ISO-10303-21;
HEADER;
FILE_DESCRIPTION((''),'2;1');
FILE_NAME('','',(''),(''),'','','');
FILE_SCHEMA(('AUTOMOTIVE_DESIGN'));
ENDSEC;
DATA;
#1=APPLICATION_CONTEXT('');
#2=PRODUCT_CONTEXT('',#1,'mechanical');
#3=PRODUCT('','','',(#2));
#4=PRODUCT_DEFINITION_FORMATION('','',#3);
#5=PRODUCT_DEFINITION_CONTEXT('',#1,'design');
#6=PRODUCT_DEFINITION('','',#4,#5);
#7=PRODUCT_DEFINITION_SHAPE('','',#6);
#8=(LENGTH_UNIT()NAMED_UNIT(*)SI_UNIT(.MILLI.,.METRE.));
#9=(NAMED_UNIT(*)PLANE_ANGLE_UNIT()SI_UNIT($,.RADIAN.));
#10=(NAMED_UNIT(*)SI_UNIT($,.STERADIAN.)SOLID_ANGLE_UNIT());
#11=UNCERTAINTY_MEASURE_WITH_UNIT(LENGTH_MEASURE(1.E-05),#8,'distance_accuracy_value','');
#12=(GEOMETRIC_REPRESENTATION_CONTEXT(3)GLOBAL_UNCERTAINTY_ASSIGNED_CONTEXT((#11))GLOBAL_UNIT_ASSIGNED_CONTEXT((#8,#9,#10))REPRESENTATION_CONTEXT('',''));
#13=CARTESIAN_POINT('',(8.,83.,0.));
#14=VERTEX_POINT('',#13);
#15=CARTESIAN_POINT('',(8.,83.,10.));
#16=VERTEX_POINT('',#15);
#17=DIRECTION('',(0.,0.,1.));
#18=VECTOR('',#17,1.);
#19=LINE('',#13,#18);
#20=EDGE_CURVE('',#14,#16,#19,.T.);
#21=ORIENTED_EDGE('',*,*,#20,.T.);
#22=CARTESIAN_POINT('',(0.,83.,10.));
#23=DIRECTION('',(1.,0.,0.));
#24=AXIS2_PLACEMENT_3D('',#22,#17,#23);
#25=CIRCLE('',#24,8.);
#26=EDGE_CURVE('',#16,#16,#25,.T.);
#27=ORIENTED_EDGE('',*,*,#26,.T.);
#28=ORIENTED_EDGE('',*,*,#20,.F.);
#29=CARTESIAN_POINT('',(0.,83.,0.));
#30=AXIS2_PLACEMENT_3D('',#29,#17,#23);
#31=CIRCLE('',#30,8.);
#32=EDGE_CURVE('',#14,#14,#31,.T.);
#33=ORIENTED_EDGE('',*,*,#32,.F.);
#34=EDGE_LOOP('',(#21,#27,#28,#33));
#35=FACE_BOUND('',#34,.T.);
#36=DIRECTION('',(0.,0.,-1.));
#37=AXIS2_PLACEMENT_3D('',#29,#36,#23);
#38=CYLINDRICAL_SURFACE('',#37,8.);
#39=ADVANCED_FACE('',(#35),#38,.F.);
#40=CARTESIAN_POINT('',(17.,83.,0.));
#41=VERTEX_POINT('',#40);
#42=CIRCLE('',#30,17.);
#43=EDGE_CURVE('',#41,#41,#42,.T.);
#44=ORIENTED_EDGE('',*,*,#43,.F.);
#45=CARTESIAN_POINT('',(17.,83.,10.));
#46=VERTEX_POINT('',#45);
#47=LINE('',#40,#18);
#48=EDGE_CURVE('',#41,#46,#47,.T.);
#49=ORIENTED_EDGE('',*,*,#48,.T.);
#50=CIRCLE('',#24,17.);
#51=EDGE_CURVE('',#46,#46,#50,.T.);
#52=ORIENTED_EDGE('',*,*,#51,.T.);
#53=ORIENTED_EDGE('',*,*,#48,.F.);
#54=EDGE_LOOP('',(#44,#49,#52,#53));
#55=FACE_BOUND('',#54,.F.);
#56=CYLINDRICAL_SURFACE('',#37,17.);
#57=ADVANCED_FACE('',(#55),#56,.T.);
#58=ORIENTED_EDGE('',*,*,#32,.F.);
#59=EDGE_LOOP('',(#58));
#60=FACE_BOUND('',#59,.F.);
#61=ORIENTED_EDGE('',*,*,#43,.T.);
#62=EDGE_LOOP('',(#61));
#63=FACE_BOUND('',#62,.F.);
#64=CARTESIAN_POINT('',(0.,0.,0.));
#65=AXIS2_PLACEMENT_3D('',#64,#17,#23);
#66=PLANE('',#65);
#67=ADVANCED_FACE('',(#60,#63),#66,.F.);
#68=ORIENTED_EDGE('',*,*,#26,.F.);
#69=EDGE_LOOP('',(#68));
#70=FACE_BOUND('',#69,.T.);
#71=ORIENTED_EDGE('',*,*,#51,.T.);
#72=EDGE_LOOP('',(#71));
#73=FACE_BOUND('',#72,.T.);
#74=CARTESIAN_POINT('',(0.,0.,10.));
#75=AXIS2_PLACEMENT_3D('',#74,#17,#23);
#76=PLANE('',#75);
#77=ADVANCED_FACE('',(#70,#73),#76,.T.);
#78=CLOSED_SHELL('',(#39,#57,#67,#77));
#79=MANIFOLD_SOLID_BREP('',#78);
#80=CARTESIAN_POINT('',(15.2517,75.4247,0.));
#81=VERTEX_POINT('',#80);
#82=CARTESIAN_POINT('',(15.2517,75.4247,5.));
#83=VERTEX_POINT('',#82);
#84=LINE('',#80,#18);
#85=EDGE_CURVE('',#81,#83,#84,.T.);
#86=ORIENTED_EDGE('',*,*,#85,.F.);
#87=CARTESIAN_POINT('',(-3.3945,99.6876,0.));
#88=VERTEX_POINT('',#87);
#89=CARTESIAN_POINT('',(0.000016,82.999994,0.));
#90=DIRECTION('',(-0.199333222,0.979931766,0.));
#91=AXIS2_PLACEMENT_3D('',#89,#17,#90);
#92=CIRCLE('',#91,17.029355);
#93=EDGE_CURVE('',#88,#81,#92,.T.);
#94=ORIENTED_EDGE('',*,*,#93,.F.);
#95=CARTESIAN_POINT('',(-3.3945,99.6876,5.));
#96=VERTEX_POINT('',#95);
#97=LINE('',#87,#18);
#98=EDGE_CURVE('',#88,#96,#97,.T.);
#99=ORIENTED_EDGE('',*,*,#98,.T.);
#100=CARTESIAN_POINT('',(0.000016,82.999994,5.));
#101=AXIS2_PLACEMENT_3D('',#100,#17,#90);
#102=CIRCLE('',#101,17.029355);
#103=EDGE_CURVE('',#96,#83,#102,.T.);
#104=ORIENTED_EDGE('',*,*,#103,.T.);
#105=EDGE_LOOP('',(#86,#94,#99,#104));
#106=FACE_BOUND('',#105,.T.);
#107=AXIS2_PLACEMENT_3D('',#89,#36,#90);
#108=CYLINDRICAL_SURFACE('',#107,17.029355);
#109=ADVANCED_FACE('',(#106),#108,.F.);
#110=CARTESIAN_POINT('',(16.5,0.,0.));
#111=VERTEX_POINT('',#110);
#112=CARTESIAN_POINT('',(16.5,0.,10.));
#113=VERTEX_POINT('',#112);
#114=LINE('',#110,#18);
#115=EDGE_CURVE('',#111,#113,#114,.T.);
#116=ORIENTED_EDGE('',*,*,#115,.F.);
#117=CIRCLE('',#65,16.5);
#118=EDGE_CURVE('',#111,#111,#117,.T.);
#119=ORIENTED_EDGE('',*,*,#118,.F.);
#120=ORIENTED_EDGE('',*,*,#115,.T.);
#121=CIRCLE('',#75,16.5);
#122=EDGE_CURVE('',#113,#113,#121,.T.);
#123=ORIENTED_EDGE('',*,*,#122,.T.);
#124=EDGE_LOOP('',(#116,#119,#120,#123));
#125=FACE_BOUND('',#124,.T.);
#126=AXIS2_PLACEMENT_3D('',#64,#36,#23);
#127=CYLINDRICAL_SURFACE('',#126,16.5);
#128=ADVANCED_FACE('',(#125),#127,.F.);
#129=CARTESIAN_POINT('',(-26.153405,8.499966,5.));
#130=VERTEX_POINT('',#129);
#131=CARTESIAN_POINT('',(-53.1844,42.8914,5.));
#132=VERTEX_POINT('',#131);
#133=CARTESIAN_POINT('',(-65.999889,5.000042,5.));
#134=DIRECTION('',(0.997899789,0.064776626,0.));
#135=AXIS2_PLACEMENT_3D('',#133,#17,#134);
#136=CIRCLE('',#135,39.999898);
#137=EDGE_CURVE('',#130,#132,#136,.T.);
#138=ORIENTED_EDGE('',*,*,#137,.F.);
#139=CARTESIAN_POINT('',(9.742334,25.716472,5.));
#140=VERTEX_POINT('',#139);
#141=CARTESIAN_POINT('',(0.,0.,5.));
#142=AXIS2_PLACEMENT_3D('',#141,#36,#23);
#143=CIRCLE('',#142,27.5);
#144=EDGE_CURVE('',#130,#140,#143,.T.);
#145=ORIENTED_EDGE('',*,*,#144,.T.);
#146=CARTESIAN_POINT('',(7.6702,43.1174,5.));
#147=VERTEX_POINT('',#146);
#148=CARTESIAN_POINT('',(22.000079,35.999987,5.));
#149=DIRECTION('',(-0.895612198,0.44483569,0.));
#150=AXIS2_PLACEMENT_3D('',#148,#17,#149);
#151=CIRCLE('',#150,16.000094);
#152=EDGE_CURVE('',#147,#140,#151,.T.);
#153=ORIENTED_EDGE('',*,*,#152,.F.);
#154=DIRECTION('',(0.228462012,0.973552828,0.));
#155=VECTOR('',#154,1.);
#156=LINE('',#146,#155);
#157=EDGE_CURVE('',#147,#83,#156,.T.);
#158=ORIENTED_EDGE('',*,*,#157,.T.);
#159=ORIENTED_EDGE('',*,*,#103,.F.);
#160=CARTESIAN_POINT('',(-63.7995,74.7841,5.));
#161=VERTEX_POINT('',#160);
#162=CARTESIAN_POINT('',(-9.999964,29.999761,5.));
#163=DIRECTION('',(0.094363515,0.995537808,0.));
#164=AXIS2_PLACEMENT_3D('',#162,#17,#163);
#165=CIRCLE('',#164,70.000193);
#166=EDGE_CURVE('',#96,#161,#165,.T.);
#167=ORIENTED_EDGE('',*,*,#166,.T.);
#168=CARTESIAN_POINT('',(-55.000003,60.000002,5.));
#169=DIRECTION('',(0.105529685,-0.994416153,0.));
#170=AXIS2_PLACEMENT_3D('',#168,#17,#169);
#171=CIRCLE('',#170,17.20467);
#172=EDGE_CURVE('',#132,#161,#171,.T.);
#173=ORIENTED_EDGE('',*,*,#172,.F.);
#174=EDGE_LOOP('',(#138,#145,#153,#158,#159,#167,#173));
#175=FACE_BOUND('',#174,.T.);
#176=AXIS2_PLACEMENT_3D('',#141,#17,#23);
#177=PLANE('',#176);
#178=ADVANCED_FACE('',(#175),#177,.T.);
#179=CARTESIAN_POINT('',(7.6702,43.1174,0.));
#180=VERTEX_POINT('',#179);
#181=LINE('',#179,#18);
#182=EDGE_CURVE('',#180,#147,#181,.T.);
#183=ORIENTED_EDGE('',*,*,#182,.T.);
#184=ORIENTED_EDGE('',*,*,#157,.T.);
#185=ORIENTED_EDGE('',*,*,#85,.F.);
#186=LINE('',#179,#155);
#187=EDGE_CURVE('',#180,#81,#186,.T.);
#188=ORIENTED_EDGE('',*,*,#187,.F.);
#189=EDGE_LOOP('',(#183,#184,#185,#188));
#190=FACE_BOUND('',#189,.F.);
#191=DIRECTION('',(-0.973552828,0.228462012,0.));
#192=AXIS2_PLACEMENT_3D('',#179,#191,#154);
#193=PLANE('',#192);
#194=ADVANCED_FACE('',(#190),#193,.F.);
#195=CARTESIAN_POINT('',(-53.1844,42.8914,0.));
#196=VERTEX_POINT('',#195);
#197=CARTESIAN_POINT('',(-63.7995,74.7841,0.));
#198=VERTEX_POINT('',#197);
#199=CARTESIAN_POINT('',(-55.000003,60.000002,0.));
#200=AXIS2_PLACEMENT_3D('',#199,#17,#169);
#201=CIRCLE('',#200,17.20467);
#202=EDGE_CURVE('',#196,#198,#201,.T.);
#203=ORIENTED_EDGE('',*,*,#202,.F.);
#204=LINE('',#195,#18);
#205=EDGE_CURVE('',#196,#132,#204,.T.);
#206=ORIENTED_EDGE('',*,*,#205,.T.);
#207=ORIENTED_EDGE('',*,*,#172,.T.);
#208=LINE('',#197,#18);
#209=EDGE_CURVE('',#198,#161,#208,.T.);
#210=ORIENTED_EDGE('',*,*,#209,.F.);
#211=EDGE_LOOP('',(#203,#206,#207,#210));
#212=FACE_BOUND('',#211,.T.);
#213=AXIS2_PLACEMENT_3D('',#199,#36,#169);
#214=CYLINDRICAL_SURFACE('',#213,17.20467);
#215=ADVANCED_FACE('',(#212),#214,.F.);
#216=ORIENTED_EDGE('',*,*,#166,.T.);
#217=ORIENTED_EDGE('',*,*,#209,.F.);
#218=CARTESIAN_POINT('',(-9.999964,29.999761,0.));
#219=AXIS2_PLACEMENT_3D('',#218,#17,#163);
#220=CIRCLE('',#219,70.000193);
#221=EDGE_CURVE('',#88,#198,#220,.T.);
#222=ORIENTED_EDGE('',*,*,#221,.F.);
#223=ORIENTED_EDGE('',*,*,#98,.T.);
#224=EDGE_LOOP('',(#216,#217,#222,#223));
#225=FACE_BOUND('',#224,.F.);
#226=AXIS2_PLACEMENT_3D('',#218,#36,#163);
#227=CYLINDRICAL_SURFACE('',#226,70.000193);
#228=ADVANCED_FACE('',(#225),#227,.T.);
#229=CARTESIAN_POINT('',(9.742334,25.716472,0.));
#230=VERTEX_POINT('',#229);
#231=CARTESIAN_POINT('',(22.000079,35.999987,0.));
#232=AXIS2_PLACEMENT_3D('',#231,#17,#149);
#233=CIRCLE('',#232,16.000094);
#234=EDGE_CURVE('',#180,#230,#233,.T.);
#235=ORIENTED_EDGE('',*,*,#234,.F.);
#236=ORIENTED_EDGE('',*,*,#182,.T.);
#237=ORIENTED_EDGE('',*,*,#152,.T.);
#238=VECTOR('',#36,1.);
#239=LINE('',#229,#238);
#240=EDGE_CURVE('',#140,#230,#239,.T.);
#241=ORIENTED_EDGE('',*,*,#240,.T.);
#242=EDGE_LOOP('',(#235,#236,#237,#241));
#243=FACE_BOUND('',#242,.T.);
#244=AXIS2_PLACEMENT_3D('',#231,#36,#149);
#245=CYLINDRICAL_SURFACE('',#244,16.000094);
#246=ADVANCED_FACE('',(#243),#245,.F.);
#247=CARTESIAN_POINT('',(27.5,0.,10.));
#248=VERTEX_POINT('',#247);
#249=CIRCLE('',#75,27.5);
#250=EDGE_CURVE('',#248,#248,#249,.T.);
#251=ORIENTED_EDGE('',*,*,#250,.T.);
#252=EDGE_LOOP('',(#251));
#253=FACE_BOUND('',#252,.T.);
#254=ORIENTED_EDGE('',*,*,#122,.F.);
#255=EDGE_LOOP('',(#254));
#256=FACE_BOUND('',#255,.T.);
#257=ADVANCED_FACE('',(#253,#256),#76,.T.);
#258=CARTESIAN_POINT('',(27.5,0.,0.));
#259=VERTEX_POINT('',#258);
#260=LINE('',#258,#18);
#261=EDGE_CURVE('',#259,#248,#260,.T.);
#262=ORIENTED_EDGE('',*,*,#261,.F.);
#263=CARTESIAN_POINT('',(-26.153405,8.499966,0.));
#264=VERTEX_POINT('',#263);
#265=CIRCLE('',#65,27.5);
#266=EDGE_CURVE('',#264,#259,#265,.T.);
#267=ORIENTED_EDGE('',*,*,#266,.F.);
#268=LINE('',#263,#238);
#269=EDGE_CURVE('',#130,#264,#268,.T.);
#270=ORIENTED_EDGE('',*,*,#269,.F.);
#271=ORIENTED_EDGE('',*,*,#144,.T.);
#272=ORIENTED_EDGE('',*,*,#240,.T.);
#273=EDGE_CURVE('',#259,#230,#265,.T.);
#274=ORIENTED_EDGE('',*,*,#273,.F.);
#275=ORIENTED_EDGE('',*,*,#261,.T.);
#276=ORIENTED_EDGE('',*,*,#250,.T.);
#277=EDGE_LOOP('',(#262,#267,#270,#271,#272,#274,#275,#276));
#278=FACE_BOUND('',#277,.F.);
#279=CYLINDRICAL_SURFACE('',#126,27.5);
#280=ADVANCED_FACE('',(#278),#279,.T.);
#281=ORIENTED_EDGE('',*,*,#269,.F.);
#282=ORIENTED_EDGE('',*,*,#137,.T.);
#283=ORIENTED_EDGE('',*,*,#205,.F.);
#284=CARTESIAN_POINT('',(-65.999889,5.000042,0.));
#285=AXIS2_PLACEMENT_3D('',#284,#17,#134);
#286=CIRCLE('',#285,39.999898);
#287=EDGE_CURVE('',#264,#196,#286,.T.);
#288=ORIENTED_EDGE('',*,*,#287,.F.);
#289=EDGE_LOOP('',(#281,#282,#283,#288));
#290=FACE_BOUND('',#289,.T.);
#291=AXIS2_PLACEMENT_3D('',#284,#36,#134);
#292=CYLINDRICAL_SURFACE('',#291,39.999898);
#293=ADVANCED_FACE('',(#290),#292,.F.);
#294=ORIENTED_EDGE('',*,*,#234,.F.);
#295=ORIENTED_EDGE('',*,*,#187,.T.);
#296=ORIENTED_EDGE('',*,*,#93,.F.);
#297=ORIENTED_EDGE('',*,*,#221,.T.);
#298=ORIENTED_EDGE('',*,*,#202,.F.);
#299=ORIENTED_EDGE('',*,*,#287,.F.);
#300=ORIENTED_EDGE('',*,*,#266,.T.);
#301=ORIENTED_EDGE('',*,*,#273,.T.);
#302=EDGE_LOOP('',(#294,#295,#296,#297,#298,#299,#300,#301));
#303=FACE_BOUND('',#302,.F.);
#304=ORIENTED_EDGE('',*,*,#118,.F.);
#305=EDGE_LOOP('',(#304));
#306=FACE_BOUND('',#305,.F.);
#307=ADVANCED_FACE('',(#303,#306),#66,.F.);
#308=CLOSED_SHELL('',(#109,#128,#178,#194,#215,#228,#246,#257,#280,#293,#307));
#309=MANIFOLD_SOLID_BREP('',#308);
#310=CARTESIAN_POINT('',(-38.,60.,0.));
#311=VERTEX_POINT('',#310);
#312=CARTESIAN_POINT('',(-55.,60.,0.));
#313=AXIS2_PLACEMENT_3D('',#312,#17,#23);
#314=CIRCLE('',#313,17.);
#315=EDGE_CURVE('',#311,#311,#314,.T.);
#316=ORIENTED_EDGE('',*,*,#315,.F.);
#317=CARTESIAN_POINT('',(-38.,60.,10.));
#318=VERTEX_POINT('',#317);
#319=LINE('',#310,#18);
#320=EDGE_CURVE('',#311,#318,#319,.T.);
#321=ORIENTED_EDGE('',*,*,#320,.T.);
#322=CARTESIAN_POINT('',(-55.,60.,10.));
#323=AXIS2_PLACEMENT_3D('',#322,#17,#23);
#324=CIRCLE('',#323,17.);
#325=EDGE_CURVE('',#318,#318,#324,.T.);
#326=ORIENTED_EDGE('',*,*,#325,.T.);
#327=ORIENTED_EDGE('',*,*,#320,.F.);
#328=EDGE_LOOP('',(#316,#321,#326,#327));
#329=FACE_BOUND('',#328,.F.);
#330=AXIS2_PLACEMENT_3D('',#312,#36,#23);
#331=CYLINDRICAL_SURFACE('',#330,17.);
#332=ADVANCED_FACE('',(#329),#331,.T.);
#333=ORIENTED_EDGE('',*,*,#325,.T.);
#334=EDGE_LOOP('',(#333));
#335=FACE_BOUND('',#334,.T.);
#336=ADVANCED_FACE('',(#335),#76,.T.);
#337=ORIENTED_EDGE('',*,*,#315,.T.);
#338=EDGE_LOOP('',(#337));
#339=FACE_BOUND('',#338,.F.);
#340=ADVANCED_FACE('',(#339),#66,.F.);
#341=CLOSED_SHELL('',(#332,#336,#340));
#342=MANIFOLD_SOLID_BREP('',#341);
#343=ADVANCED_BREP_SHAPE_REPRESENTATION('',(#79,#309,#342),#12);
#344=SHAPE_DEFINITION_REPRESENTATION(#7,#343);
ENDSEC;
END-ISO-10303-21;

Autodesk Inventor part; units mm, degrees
ref_plane "YZ Plane" through (0, 0, 0) normal (1, 0, 0) x (0, 1, 0)
ref_plane "XZ Plane" through (0, 0, 0) normal (0, 1, 0) x (-1, 0, 0)
ref_plane "XY Plane" through (0, 0, 0) normal (0, 0, 1) x (1, 0, 0)
sketch "Sketch1" plane through (0, 0, 0) normal (0, 0, 1) x (1, 0, 0)
  circle A0 centre (0, 0) radius 27.5
  circle A1 centre (0, 0) radius 16.5
  circle A2 centre (-55, 60) radius 17
  circle A3 centre (0, 83) radius 17
  circle A4 centre (0, 83) radius 8
  dimension "d0" = 55
  dimension "d1" = 33
  dimension "d2" = 34
  dimension "d3" = 34
  dimension "d4" = 16
sketch "Sketch2" plane through (0, 0, 0) normal (0, 0, 1) x (1, 0, 0)
  arc A0 (-3.3945, 99.6876) -> (-63.7995, 74.7841) centre (-10, 30) ccw
  arc A1 (-53.1844, 42.8914) -> (-63.7995, 74.7841) centre (-55, 60) ccw
  arc A2 (-3.3945, 99.6876) -> (15.2517, 75.4247) centre (0, 83) ccw
  arc A3 (10.2232, 25.1691) -> (-26.084, 7.5911) centre (0, 0) ccw
  arc A4 (-26.084, 7.5911) -> (-53.1844, 42.8914) centre (-66, 5) ccw
  arc A5 (7.6702, 43.1174) -> (10.2232, 25.1691) centre (22, 36) ccw
  line L0 (7.6702, 43.1174) -> (15.2517, 75.4247)
  dimension "d8" = 140
  dimension "d9" = 80
  dimension "d10" = 32
extrude "Extrusion1" add sketch "Sketch1" along normal blind 10
extrude "Extrusion2" add sketch "Sketch2" along normal blind 5
properties part number "Desafio 2 - MASA - Inventor"
